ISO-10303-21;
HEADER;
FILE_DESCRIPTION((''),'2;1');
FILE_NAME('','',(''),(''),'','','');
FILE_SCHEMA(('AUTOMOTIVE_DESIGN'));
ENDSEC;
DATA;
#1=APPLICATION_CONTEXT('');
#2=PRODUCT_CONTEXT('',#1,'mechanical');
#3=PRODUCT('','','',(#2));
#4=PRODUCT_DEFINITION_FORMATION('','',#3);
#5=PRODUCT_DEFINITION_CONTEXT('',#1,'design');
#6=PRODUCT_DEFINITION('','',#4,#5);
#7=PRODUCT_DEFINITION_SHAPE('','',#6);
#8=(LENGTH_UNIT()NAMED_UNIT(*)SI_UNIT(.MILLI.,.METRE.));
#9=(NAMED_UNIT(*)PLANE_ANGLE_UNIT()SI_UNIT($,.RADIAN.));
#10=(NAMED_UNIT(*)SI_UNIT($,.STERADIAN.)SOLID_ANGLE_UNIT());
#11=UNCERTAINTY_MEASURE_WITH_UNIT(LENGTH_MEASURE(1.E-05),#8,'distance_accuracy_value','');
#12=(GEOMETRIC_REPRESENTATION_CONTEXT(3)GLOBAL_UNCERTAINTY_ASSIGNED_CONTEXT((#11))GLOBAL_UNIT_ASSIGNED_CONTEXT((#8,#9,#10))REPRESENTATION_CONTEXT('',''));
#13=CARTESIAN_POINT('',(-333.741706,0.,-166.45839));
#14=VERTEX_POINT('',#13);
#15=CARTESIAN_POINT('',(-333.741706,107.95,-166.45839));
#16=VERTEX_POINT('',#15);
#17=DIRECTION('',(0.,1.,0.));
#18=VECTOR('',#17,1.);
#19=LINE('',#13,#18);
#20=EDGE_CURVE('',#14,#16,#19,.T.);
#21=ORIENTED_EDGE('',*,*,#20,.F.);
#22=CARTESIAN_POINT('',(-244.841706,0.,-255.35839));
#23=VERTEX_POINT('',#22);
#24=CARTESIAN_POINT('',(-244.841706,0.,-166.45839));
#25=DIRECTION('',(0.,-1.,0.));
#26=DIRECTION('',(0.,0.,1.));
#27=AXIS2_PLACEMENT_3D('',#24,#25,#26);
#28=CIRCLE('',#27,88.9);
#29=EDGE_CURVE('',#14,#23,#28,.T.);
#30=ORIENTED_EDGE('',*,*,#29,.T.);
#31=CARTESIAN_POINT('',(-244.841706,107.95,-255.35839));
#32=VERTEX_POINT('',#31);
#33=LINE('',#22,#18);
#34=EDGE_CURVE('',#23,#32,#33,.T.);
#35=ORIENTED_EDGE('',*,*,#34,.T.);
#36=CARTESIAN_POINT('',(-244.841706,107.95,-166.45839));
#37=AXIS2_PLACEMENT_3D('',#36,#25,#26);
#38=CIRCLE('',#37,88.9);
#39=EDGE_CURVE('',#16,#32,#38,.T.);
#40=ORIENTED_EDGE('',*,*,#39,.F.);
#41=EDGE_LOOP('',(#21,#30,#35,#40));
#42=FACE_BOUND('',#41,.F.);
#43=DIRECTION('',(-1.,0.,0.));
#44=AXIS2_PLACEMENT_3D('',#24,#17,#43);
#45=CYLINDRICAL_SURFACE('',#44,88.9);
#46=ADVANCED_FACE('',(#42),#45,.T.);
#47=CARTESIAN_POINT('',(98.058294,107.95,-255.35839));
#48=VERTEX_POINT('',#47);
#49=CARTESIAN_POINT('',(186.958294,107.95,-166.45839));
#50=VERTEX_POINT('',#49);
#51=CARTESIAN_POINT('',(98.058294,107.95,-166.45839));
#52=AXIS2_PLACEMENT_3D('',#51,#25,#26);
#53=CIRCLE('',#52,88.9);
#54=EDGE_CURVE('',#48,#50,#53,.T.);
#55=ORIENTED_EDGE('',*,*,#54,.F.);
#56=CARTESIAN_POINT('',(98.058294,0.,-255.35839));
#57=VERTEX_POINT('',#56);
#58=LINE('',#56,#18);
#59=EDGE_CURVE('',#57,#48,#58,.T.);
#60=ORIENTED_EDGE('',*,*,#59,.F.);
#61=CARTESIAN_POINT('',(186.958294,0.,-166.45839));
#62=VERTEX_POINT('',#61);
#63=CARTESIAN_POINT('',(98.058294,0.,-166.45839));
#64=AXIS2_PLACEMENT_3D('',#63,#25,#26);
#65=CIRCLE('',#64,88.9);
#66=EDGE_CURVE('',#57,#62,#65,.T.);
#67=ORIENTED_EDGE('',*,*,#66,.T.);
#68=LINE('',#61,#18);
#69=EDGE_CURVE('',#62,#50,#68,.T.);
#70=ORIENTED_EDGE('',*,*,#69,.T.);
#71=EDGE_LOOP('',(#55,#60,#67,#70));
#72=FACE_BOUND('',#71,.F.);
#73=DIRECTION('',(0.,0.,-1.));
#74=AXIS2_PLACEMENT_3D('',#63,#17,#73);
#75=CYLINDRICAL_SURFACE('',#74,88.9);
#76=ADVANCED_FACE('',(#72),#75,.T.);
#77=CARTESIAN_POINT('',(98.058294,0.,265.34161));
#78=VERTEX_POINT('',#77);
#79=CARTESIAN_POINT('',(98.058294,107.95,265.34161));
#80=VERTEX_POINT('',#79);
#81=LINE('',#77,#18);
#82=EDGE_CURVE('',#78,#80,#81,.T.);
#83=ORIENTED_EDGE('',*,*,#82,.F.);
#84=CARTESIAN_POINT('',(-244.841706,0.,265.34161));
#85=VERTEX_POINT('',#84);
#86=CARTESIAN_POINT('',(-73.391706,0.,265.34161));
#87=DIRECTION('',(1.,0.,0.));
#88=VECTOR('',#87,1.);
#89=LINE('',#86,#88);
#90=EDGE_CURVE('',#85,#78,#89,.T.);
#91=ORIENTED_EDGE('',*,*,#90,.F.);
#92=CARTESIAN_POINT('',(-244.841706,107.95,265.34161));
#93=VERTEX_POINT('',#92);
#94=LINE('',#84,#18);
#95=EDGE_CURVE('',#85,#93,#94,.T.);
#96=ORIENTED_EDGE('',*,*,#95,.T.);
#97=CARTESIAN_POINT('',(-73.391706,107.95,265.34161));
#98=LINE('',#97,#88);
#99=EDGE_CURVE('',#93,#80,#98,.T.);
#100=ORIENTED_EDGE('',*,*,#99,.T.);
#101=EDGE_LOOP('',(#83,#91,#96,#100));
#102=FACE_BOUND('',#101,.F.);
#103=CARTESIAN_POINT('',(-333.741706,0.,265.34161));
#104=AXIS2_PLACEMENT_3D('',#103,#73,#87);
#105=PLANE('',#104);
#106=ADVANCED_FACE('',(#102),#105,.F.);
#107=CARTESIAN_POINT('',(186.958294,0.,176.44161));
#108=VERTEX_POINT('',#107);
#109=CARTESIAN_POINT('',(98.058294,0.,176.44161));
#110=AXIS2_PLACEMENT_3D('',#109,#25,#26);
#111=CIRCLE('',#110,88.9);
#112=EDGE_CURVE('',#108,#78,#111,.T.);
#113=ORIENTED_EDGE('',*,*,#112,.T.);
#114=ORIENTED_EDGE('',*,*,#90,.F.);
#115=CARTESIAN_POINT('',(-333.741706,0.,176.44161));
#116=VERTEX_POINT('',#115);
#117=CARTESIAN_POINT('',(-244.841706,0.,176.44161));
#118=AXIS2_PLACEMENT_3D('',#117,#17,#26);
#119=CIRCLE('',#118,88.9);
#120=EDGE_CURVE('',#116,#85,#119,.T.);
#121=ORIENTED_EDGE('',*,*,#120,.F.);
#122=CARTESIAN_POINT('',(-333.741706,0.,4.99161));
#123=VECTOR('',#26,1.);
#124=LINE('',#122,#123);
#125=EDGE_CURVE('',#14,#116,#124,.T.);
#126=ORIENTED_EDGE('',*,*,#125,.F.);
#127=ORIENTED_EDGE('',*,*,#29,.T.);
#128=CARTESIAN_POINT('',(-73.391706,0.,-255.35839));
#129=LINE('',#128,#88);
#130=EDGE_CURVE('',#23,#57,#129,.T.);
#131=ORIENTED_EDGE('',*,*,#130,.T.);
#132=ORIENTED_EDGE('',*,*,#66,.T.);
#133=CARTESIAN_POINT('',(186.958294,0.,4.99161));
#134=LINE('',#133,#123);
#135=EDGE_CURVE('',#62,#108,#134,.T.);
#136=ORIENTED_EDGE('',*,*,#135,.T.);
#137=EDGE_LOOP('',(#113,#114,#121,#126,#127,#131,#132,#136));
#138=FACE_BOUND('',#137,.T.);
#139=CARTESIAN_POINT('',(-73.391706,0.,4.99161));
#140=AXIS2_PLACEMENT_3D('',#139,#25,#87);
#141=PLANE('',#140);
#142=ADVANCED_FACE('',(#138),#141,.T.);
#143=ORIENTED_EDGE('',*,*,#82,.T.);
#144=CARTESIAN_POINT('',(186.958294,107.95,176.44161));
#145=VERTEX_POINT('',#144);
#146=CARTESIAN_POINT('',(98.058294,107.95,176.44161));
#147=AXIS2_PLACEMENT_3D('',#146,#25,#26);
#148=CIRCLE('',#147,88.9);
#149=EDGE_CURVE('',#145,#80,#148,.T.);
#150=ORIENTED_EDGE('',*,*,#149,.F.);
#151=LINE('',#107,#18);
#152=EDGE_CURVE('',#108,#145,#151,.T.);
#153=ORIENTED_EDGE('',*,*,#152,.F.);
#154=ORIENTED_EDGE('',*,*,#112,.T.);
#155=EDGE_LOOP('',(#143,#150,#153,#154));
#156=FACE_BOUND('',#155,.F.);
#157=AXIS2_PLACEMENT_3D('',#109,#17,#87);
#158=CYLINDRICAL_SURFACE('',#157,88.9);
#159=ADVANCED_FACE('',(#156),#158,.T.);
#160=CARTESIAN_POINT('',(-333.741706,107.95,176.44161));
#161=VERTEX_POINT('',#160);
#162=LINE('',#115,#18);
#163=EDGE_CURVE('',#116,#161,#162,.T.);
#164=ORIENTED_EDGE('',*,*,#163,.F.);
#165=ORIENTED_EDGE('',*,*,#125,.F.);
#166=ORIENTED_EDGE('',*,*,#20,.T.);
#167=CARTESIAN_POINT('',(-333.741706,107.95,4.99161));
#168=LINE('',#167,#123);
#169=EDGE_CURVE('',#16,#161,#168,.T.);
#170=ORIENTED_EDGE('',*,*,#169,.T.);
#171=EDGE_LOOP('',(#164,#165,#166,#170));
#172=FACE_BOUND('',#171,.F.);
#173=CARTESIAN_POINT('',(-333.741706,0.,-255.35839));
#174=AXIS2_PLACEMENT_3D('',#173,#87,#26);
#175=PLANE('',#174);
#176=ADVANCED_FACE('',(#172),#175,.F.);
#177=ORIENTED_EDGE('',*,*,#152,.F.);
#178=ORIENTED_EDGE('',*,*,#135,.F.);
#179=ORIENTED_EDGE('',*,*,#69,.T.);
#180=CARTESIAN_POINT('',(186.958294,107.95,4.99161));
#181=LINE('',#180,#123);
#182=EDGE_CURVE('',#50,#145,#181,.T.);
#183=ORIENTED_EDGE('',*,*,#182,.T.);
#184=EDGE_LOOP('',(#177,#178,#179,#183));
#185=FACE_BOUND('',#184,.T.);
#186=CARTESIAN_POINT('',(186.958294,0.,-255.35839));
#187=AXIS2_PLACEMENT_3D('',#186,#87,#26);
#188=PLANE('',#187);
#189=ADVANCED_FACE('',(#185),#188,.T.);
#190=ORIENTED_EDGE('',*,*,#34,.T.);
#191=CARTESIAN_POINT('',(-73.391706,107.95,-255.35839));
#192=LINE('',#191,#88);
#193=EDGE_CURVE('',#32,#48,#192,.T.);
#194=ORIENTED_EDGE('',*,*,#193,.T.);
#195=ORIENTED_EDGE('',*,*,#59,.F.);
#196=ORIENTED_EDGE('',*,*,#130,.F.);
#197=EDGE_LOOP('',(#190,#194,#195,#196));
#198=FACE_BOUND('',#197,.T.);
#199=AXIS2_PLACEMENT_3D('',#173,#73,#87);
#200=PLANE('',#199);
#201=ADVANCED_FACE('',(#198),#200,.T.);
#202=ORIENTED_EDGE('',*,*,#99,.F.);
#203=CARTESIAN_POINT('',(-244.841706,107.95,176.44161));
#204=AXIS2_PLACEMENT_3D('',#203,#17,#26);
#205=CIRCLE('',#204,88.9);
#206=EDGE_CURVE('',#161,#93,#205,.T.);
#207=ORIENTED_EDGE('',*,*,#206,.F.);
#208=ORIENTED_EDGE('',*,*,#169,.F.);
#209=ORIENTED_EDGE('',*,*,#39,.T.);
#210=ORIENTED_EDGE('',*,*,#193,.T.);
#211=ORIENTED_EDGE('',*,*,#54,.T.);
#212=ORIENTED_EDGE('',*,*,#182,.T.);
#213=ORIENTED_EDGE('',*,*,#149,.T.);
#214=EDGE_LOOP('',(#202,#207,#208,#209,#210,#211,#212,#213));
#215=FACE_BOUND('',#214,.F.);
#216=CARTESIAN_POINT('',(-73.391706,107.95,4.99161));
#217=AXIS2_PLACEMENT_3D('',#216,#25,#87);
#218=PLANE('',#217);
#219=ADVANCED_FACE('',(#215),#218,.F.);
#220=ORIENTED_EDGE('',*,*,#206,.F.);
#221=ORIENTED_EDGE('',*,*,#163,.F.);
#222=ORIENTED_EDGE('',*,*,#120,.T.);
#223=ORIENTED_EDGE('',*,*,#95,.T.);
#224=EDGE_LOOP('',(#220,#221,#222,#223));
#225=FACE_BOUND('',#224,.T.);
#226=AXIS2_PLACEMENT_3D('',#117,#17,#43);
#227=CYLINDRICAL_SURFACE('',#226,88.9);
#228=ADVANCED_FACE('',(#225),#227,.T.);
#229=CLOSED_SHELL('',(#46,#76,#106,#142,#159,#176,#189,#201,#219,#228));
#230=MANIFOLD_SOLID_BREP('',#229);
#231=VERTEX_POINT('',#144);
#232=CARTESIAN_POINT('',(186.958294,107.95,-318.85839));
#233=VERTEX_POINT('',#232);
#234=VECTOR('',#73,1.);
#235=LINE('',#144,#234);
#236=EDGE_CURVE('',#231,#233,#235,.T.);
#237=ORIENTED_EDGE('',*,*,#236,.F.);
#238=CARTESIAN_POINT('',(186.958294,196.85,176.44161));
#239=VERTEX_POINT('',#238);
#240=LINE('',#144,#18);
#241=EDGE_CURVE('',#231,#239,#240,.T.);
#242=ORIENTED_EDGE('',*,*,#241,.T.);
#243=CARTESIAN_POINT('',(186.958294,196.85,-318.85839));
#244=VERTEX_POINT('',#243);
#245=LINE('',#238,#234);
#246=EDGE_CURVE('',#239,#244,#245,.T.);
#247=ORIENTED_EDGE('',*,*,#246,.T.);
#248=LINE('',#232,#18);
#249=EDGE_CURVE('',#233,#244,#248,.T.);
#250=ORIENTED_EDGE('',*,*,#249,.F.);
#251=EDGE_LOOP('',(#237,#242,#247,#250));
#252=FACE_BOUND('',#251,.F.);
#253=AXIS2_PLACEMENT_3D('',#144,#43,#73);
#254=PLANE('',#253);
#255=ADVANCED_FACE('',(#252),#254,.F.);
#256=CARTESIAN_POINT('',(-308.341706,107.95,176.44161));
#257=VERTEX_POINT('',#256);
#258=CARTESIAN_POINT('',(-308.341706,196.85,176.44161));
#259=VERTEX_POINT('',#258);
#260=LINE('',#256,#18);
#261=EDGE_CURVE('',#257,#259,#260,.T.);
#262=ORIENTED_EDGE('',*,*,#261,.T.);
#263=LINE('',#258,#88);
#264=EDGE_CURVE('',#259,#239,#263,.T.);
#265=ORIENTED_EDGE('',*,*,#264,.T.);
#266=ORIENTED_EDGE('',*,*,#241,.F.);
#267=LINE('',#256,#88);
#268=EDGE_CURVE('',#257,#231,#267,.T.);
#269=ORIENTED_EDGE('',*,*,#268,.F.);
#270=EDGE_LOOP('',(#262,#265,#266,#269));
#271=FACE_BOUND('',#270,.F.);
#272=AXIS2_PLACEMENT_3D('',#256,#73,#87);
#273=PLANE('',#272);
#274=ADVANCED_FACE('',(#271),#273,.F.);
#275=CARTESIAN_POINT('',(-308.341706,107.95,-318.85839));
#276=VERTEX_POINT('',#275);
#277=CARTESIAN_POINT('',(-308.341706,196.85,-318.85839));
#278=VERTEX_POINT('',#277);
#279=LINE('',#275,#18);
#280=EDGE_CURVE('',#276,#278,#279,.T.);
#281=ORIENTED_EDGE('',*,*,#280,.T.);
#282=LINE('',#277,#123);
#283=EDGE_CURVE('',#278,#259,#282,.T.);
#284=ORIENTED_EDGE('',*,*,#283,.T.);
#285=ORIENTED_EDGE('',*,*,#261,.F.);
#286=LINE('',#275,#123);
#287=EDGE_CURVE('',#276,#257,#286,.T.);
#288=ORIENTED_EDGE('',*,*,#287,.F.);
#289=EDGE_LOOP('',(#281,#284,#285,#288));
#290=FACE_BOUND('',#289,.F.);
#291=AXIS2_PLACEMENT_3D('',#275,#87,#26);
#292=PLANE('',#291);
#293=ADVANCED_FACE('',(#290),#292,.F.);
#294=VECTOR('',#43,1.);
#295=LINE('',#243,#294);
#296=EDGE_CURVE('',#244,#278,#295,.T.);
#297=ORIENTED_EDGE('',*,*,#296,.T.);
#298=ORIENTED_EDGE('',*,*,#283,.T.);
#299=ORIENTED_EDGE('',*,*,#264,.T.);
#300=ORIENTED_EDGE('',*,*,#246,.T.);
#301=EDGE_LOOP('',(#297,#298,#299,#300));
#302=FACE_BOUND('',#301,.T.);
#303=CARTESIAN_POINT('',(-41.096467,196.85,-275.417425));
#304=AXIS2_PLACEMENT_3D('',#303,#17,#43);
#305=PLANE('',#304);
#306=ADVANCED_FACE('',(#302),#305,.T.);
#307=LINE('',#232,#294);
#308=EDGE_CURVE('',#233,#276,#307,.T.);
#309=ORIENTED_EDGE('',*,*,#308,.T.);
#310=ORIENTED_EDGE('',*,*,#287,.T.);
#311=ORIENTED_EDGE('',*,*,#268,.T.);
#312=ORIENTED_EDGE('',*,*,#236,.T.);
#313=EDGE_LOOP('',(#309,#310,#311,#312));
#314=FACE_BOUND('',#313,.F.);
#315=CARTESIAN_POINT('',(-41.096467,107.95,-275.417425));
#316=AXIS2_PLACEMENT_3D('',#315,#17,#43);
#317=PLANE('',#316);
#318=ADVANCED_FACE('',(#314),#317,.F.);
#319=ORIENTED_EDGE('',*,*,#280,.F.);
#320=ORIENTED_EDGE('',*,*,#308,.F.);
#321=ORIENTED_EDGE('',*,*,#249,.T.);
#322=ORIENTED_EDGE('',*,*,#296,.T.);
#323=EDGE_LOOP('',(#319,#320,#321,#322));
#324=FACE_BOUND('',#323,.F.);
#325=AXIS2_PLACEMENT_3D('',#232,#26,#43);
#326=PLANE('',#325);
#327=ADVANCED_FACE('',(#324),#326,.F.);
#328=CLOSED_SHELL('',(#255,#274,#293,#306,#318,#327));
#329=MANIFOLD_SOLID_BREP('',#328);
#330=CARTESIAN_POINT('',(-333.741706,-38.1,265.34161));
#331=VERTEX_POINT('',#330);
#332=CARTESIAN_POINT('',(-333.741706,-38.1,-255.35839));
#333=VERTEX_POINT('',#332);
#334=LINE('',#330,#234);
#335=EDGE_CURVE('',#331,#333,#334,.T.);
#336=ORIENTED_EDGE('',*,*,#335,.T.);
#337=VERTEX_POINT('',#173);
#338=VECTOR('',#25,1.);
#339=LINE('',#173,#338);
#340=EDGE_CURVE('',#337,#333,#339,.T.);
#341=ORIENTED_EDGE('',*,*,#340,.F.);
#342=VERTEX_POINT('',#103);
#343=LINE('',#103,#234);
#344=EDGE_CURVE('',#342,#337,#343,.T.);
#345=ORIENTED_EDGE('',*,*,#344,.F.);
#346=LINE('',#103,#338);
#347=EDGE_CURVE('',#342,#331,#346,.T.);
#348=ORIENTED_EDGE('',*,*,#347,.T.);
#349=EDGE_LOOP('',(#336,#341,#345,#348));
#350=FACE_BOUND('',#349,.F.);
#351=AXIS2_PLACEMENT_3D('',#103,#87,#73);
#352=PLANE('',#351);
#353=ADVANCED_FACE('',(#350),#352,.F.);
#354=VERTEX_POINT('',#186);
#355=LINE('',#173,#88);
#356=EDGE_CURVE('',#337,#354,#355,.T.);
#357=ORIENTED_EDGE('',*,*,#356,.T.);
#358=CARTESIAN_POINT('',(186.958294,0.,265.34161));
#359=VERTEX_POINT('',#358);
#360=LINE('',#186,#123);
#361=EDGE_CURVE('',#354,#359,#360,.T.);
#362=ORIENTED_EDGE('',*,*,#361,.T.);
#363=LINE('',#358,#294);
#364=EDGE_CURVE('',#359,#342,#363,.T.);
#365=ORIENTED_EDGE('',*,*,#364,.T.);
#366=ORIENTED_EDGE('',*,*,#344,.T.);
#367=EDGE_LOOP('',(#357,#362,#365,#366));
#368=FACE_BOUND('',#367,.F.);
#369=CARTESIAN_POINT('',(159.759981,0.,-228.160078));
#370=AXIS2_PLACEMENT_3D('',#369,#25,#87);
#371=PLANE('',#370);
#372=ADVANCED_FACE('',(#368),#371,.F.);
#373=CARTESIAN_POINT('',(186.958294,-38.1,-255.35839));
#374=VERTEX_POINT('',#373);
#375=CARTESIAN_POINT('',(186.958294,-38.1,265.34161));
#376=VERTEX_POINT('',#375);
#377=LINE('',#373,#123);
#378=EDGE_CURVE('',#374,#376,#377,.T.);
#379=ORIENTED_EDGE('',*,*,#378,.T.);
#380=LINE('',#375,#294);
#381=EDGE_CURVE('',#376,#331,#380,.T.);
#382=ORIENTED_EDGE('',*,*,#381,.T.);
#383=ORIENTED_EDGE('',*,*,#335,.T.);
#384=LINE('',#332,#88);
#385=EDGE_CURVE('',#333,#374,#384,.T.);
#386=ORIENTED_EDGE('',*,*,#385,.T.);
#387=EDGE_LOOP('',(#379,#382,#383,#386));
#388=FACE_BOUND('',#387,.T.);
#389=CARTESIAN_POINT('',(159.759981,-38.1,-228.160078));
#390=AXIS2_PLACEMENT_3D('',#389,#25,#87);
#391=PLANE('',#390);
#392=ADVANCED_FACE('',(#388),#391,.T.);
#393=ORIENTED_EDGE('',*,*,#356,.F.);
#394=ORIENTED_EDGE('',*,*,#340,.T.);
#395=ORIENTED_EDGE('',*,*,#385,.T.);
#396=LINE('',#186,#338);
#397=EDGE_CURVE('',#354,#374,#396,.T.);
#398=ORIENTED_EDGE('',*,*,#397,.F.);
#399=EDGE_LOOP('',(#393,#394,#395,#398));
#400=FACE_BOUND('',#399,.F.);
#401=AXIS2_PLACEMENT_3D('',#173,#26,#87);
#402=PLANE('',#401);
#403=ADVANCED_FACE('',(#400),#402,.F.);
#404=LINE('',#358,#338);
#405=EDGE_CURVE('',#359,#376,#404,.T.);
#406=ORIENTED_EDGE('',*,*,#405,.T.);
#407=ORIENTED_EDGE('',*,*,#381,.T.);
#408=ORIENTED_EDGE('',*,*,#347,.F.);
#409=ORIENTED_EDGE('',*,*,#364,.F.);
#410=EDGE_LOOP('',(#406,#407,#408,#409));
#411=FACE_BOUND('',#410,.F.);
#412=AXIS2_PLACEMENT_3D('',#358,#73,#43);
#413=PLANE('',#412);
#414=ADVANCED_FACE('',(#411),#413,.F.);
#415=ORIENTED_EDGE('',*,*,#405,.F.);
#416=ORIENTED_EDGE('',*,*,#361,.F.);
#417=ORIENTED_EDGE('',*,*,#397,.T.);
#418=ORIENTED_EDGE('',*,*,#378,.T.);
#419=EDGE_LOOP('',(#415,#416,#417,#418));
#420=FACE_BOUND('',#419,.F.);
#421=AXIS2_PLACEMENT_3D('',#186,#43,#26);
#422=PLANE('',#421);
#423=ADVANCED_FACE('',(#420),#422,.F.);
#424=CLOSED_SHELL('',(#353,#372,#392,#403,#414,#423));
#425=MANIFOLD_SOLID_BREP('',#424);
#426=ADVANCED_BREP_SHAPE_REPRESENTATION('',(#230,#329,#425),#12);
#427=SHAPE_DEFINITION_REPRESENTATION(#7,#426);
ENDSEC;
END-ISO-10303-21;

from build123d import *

# Parameters (mm, degrees)
F0_W     = 520.7
F0_H     = 520.7
F1_DEPTH = 107.95
F2_R     = 88.9
F4_DEPTH = 88.9
F6_DEPTH = 38.1


with BuildPart() as f1:
    # F0 (on Front) → F1 (new body)
    with BuildSketch(Plane.XZ):
        with Locations((-73.391706044, 4.9916096032)):
            Rectangle(F0_W, F0_H)
    extrude(amount=-F1_DEPTH)

    # F2
    f2_edges = [f1.edges().sort_by_distance(p)[0] for p in [
        (186.958294, 53.975, 265.34161),
        (186.958294, 53.975, -255.35839),
        (-333.741706, 53.975, -255.35839),
        (-333.741706, 53.975, 265.34161),
    ]]
    fillet(f2_edges, radius=F2_R)


with BuildPart() as f4:
    # F3 (on face) → F4 (new body)
    with BuildSketch(Plane(origin=(0, 107.95, 0), x_dir=(-1, 0, 0), z_dir=(0, 1, 0))):
        with BuildLine():
            ThreePointArc((-98.058293956, -255.3583903968), (-160.9200868035, -229.3201832443), (-186.958293956, -166.4583903968))
            Line((-186.958293956, -166.4583903968), (-186.958293956, -318.8583903968))
            Line((-186.958293956, -318.8583903968), (308.341706044, -318.8583903968))
            Line((308.341706044, -318.8583903968), (308.341706044, -228.6754298635))
            ThreePointArc((308.341706044, -228.6754298635), (279.280892964, -248.4166261288), (244.841706044, -255.3583903968))
            Line((244.841706044, -255.3583903968), (-98.058293956, -255.3583903968))
        make_face()
        with BuildLine():
            Line((308.341706044, 176.4416096032), (-186.958293956, 176.4416096032))
            Line((-186.958293956, 176.4416096032), (-186.958293956, -166.4583903968))
            ThreePointArc((-186.958293956, -166.4583903968), (-160.9200868035, -229.3201832443), (-98.058293956, -255.3583903968))
            Line((-98.058293956, -255.3583903968), (244.841706044, -255.3583903968))
            ThreePointArc((244.841706044, -255.3583903968), (279.280892964, -248.4166261288), (308.341706044, -228.6754298635))
            Line((308.341706044, -228.6754298635), (308.341706044, 176.4416096032))
        make_face()
    extrude(amount=F4_DEPTH)


with BuildPart() as f6:
    # F5 (on face) → F6 (new body)
    with BuildSketch(Plane.XZ):
        with BuildLine():
            ThreePointArc((186.958293956, -166.4583903968), (160.9200868035, -229.3201832443), (98.058293956, -255.3583903968))
            Line((98.058293956, -255.3583903968), (186.958293956, -255.3583903968))
            Line((186.958293956, -255.3583903968), (186.958293956, -166.4583903968))
        make_face()
        with BuildLine():
            ThreePointArc((-333.741706044, -166.4583903968), (-307.7034988915, -229.3201832443), (-244.841706044, -255.3583903968))
            Line((-244.841706044, -255.3583903968), (98.058293956, -255.3583903968))
            ThreePointArc((98.058293956, -255.3583903968), (160.9200868035, -229.3201832443), (186.958293956, -166.4583903968))
            Line((186.958293956, -166.4583903968), (186.958293956, 176.4416096032))
            ThreePointArc((186.958293956, 176.4416096032), (160.9200868035, 239.3034024507), (98.058293956, 265.3416096032))
            Line((98.058293956, 265.3416096032), (-244.841706044, 265.3416096032))
            ThreePointArc((-244.841706044, 265.3416096032), (-307.7034988915, 239.3034024507), (-333.741706044, 176.4416096032))
            Line((-333.741706044, 176.4416096032), (-333.741706044, -166.4583903968))
        make_face()
        with BuildLine():
            ThreePointArc((98.058293956, 265.3416096032), (160.9200868035, 239.3034024507), (186.958293956, 176.4416096032))
            Line((186.958293956, 176.4416096032), (186.958293956, 265.3416096032))
            Line((186.958293956, 265.3416096032), (98.058293956, 265.3416096032))
        make_face()
        with BuildLine():
            Line((-333.741706044, -166.4583903968), (-333.741706044, -255.3583903968))
            Line((-333.741706044, -255.3583903968), (-244.841706044, -255.3583903968))
            ThreePointArc((-244.841706044, -255.3583903968), (-307.7034988915, -229.3201832443), (-333.741706044, -166.4583903968))
        make_face()
        with BuildLine():
            Line((-333.741706044, 265.3416096032), (-333.741706044, 176.4416096032))
            ThreePointArc((-333.741706044, 176.4416096032), (-307.7034988915, 239.3034024507), (-244.841706044, 265.3416096032))
            Line((-244.841706044, 265.3416096032), (-333.741706044, 265.3416096032))
        make_face()
    extrude(amount=F6_DEPTH)


solid = Compound([f1.part, f4.part, f6.part])
